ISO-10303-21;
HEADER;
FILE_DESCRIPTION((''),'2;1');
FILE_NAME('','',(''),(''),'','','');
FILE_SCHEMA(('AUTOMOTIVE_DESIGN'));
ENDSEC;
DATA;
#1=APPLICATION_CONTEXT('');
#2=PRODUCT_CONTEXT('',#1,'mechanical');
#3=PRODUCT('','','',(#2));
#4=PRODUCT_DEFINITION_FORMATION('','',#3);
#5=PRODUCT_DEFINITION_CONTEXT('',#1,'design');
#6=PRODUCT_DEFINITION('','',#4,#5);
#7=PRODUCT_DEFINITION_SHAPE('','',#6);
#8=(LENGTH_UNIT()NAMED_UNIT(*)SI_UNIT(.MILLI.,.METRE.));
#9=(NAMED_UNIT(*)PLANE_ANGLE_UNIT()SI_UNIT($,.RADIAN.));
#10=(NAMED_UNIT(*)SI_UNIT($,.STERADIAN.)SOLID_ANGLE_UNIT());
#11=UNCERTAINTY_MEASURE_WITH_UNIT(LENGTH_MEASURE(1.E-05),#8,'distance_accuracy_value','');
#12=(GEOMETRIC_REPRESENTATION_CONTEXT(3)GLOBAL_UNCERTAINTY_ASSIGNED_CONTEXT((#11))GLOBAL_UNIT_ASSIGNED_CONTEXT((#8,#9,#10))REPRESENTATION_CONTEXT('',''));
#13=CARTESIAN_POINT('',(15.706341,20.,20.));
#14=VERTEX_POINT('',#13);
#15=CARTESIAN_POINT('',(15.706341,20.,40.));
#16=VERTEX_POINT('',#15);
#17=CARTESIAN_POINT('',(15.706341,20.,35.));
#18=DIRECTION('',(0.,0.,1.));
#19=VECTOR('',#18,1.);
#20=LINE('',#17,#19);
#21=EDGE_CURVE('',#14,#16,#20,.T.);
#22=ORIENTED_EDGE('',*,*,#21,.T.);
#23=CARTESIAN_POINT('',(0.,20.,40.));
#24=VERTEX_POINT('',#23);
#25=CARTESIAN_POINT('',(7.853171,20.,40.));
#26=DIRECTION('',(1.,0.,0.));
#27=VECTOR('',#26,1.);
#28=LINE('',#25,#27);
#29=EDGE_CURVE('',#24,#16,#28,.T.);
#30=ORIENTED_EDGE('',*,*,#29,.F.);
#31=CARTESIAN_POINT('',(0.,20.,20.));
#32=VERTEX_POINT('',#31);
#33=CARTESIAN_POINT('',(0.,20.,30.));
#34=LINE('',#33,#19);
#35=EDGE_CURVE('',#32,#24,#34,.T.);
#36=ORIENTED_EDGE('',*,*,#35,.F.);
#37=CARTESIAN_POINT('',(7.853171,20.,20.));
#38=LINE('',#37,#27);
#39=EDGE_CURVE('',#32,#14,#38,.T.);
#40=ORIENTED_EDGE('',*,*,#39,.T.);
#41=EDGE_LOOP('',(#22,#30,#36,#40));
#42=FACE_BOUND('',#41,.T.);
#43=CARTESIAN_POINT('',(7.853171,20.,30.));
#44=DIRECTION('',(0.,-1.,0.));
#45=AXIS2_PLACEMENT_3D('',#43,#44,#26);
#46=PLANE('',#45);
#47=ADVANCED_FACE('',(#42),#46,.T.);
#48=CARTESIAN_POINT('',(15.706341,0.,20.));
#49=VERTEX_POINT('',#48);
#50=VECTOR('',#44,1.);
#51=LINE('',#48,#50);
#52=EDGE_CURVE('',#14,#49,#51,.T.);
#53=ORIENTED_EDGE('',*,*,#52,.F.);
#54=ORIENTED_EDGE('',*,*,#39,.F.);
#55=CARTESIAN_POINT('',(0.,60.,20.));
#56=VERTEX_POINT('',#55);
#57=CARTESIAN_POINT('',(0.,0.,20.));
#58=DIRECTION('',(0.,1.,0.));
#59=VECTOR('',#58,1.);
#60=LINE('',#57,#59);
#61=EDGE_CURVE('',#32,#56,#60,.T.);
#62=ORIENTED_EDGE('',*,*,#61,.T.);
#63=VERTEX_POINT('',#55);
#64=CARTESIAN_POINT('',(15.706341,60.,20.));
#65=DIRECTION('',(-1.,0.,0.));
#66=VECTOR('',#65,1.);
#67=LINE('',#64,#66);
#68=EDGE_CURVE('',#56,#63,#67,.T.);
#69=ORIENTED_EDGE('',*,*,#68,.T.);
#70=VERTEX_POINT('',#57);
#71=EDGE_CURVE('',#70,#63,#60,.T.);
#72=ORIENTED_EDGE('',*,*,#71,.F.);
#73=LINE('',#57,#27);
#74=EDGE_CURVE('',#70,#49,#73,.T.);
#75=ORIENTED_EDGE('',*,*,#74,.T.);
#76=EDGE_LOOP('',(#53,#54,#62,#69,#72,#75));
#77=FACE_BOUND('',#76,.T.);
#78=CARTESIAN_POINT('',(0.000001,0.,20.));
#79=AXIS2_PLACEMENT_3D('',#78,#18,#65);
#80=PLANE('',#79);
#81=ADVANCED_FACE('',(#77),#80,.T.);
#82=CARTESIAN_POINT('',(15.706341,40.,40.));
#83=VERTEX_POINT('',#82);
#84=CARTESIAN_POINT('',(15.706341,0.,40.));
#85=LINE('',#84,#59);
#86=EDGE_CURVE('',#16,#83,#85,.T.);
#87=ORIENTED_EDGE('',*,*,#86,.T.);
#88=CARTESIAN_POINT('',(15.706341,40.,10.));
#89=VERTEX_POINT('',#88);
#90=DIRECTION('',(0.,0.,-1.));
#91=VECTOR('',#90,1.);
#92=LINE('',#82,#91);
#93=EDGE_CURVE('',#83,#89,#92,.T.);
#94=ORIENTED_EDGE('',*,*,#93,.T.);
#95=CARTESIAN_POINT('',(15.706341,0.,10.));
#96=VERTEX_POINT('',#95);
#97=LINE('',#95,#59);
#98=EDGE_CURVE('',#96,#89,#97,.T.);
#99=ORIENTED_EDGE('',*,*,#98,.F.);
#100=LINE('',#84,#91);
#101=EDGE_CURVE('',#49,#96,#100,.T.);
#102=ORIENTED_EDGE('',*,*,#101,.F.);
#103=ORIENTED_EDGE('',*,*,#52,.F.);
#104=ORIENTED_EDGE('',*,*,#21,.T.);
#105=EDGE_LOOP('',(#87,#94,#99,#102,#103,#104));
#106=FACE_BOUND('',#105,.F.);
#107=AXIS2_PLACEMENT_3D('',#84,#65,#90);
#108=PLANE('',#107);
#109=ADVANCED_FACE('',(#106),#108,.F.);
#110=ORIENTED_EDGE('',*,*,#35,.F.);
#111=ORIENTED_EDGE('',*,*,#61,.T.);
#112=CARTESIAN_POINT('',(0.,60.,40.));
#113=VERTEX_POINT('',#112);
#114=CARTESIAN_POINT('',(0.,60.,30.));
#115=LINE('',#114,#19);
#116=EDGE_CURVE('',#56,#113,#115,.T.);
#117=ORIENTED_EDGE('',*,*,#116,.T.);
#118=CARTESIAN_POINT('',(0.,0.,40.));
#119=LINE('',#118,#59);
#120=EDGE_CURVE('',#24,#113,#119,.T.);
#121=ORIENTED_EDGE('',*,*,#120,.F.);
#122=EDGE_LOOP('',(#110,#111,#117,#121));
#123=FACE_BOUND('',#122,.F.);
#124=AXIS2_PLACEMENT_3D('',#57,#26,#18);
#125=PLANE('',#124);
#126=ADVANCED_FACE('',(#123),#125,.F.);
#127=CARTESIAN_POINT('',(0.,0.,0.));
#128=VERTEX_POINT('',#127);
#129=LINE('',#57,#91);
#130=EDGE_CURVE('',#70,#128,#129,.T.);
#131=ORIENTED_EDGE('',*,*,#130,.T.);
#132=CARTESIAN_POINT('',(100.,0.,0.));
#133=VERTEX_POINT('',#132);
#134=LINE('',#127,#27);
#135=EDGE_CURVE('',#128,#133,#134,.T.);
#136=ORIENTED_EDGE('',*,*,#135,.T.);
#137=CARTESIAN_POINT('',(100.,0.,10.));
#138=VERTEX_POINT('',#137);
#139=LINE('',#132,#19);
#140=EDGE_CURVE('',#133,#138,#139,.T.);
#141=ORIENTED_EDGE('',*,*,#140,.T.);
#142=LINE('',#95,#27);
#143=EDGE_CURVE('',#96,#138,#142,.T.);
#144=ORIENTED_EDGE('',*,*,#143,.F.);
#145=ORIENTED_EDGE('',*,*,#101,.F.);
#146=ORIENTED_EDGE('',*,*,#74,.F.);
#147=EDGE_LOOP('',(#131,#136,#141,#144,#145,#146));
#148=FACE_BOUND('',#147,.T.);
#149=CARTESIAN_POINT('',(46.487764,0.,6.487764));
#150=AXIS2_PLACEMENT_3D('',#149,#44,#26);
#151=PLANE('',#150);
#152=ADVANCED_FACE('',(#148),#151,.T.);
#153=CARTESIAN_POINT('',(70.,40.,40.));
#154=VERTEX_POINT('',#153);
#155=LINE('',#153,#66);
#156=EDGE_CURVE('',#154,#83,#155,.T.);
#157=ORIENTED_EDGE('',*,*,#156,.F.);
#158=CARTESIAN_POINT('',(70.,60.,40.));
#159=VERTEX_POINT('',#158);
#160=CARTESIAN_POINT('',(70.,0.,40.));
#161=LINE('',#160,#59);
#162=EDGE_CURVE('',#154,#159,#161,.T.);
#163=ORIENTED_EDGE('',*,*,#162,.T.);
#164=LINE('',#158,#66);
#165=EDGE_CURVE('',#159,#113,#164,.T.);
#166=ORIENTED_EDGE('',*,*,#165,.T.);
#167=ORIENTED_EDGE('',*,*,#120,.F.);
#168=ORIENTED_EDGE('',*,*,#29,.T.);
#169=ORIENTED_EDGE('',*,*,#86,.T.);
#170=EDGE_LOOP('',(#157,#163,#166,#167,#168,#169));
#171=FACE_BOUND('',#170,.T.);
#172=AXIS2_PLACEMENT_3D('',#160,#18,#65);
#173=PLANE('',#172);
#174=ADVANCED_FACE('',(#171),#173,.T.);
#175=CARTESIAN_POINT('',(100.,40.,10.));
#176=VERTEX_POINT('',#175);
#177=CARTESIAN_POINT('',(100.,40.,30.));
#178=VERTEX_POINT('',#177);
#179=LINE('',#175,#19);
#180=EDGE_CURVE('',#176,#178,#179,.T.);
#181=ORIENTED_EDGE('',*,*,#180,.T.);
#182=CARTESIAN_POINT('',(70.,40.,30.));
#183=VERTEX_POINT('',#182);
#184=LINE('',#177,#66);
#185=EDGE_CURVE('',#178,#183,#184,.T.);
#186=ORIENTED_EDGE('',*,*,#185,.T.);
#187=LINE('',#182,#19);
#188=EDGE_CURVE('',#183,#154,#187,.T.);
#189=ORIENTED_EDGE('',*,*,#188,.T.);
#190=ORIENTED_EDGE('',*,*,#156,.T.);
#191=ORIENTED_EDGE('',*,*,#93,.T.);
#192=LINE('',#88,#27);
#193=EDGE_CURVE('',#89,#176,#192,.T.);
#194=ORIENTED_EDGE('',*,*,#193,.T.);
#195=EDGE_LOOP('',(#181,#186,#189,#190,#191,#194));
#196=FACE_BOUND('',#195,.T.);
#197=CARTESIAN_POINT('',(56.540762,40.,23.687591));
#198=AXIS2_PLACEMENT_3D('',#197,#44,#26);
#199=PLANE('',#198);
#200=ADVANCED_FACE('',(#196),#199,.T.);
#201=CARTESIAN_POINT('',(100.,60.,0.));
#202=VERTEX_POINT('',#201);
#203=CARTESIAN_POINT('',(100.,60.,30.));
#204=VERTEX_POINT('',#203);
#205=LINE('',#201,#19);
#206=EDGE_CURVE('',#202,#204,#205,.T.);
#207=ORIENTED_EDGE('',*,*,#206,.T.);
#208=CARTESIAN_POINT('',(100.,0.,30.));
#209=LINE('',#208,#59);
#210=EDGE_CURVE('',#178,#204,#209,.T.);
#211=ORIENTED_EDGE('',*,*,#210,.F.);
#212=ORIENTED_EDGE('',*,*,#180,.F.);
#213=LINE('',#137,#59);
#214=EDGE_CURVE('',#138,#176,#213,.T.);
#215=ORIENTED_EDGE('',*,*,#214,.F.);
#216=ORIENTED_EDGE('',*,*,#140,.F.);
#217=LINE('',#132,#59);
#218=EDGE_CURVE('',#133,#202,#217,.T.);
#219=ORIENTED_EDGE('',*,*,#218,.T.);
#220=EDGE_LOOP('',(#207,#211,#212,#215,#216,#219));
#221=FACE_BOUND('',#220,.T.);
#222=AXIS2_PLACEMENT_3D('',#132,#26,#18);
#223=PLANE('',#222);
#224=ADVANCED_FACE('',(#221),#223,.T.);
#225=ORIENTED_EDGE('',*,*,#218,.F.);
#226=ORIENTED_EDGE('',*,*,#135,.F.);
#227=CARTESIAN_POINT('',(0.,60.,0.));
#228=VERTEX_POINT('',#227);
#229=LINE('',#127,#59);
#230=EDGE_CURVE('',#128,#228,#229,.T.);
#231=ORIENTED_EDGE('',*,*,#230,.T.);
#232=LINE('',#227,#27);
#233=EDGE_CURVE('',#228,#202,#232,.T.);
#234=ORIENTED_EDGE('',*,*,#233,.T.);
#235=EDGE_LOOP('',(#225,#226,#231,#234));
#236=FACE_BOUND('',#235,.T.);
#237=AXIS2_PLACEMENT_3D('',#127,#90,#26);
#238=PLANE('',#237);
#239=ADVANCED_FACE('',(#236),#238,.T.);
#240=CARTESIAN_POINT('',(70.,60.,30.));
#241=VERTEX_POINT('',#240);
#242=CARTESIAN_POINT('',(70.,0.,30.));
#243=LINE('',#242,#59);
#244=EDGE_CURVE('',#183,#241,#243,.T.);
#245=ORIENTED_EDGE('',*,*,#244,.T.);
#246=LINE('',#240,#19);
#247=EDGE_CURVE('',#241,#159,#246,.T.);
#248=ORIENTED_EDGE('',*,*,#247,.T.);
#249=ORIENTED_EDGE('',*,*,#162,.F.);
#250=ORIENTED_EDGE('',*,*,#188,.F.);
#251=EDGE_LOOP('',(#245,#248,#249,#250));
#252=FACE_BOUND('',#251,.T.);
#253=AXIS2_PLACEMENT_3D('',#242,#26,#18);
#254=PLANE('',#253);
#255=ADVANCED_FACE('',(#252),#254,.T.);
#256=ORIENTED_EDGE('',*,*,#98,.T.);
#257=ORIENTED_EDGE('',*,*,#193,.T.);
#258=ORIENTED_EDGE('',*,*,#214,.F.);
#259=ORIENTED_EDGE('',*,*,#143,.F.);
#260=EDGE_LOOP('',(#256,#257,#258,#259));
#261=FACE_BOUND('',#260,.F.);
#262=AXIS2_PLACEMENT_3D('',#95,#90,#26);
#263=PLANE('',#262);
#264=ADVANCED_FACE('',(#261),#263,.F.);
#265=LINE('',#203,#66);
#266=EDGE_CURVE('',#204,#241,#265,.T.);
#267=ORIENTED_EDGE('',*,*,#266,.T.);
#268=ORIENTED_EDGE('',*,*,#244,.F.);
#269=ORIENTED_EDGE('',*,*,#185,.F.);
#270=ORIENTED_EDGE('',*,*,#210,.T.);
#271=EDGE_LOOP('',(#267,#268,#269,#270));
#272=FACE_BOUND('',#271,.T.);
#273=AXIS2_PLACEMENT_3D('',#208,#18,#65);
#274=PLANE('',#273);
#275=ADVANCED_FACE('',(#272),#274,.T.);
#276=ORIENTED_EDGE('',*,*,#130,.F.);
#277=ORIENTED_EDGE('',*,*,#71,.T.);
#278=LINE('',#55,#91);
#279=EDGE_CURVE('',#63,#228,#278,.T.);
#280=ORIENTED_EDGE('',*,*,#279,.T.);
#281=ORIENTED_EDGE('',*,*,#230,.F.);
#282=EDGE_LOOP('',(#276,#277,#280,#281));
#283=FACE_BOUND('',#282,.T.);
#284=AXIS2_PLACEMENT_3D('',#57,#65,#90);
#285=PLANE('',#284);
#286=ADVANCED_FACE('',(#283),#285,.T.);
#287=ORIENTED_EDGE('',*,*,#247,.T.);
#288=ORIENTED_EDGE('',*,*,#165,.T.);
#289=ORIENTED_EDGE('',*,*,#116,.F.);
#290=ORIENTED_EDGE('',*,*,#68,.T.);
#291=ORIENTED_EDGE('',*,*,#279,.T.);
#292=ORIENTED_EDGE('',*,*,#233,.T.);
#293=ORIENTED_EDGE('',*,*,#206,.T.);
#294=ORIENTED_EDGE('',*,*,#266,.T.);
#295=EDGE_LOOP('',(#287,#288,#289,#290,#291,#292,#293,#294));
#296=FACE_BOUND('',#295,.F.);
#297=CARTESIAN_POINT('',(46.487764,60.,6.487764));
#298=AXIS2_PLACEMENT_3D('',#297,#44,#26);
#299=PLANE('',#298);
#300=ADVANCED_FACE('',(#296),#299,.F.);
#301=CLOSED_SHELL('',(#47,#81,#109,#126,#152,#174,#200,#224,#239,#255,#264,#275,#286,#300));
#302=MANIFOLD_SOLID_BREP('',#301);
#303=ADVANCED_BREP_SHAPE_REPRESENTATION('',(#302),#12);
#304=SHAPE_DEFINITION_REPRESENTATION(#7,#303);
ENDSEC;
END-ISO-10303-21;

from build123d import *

# Parameters (mm, degrees)
F0_W     = 15.706341
F0_H     = 20
F1_DEPTH = 60
F2_DEPTH = 40
F3_DEPTH = 20


with BuildPart() as f1:
    # F0 (on Front) → F1 (new body)
    with BuildSketch(Plane.XZ):
        Polygon((0, 20), (0, 0), (100, 0), (100, 10), (15.706341, 10), (15.706341, 20), align=None)
        with Locations((7.853171, 30)):
            Rectangle(F0_W, F0_H)
        Polygon((15.706341, 40), (15.706341, 20), (15.706341, 10), (100, 10), (100, 30), (70, 30), (70, 40), align=None)
    extrude(amount=-F1_DEPTH)

    # F0 (on Front) → F2 (cut)
    with BuildSketch(Plane.XZ):
        Polygon((15.706341, 40), (15.706341, 20), (15.706341, 10), (100, 10), (100, 30), (70, 30), (70, 40), align=None)
    extrude(amount=-F2_DEPTH, mode=Mode.SUBTRACT)

    # F0 (on Front) → F3 (cut)
    with BuildSketch(Plane.XZ):
        with Locations((7.853171, 30)):
            Rectangle(F0_W, F0_H)
    extrude(amount=-F3_DEPTH, mode=Mode.SUBTRACT)


solid = f1.part
